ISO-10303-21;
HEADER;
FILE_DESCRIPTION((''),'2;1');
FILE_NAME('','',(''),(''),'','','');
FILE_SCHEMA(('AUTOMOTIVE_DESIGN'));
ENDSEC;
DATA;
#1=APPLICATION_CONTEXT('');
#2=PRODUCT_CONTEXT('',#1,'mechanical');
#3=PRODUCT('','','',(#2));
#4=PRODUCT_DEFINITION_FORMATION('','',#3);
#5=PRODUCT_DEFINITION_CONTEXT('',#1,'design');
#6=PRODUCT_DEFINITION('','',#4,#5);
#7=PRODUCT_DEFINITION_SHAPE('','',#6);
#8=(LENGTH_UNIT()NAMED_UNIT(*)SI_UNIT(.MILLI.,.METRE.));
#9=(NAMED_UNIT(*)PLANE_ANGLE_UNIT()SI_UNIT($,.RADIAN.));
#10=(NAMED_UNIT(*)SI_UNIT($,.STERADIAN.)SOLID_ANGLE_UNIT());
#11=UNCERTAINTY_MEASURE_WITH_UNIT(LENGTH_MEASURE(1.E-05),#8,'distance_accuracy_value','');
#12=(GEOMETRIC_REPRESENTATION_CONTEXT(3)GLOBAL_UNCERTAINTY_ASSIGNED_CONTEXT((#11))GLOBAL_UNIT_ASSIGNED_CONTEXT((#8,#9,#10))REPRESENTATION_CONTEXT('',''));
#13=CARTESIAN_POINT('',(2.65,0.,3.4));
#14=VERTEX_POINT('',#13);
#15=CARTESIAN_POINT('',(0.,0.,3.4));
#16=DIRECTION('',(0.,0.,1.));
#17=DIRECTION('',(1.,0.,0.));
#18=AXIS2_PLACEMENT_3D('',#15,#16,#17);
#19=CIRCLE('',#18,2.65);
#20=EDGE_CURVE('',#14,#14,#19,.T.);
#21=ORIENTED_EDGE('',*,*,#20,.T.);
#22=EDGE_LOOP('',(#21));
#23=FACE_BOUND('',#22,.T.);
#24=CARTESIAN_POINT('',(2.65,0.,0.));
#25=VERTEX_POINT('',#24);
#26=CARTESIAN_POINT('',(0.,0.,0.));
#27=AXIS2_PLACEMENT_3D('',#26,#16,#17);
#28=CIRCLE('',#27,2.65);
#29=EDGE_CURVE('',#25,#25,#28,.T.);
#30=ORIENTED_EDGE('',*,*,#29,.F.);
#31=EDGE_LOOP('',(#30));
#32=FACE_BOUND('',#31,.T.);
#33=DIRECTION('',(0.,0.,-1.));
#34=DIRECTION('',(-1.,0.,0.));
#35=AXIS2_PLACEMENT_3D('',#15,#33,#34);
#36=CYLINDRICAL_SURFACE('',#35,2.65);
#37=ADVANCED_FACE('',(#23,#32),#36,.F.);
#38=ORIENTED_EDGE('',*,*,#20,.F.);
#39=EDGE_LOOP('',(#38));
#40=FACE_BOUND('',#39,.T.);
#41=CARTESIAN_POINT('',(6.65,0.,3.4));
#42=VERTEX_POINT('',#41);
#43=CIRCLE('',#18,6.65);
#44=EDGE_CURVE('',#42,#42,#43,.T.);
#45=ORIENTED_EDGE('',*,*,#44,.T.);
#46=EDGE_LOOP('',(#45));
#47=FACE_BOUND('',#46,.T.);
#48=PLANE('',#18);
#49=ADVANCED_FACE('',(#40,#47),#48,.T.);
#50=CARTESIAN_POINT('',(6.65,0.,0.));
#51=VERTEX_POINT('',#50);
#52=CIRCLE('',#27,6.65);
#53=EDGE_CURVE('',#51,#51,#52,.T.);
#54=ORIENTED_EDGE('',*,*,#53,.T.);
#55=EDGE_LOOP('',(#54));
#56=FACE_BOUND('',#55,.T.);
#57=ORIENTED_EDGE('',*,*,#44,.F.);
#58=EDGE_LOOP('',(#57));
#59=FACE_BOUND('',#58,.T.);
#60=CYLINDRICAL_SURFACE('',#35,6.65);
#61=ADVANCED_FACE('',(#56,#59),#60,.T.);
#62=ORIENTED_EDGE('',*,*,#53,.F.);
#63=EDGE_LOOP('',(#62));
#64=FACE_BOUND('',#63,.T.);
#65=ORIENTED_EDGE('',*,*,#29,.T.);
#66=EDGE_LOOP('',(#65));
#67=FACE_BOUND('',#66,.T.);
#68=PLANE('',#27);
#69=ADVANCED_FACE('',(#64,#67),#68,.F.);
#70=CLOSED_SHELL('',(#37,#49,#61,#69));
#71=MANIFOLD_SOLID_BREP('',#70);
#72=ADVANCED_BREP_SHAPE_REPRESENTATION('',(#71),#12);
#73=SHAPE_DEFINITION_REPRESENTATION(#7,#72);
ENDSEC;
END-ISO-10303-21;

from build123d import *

# Parameters (mm, degrees)
ESQUISSE1_R        = 6.65
ESQUISSE1_R_2      = 2.65
BOSS_EXTRU_1_DEPTH = 3.4


with BuildPart() as part:
    # Esquisse1 → Boss.-Extru.1 (new body)
    with BuildSketch(Plane.XY):
        Circle(ESQUISSE1_R)
        Circle(ESQUISSE1_R_2, mode=Mode.SUBTRACT)
    extrude(amount=BOSS_EXTRU_1_DEPTH)


solid = part.part
